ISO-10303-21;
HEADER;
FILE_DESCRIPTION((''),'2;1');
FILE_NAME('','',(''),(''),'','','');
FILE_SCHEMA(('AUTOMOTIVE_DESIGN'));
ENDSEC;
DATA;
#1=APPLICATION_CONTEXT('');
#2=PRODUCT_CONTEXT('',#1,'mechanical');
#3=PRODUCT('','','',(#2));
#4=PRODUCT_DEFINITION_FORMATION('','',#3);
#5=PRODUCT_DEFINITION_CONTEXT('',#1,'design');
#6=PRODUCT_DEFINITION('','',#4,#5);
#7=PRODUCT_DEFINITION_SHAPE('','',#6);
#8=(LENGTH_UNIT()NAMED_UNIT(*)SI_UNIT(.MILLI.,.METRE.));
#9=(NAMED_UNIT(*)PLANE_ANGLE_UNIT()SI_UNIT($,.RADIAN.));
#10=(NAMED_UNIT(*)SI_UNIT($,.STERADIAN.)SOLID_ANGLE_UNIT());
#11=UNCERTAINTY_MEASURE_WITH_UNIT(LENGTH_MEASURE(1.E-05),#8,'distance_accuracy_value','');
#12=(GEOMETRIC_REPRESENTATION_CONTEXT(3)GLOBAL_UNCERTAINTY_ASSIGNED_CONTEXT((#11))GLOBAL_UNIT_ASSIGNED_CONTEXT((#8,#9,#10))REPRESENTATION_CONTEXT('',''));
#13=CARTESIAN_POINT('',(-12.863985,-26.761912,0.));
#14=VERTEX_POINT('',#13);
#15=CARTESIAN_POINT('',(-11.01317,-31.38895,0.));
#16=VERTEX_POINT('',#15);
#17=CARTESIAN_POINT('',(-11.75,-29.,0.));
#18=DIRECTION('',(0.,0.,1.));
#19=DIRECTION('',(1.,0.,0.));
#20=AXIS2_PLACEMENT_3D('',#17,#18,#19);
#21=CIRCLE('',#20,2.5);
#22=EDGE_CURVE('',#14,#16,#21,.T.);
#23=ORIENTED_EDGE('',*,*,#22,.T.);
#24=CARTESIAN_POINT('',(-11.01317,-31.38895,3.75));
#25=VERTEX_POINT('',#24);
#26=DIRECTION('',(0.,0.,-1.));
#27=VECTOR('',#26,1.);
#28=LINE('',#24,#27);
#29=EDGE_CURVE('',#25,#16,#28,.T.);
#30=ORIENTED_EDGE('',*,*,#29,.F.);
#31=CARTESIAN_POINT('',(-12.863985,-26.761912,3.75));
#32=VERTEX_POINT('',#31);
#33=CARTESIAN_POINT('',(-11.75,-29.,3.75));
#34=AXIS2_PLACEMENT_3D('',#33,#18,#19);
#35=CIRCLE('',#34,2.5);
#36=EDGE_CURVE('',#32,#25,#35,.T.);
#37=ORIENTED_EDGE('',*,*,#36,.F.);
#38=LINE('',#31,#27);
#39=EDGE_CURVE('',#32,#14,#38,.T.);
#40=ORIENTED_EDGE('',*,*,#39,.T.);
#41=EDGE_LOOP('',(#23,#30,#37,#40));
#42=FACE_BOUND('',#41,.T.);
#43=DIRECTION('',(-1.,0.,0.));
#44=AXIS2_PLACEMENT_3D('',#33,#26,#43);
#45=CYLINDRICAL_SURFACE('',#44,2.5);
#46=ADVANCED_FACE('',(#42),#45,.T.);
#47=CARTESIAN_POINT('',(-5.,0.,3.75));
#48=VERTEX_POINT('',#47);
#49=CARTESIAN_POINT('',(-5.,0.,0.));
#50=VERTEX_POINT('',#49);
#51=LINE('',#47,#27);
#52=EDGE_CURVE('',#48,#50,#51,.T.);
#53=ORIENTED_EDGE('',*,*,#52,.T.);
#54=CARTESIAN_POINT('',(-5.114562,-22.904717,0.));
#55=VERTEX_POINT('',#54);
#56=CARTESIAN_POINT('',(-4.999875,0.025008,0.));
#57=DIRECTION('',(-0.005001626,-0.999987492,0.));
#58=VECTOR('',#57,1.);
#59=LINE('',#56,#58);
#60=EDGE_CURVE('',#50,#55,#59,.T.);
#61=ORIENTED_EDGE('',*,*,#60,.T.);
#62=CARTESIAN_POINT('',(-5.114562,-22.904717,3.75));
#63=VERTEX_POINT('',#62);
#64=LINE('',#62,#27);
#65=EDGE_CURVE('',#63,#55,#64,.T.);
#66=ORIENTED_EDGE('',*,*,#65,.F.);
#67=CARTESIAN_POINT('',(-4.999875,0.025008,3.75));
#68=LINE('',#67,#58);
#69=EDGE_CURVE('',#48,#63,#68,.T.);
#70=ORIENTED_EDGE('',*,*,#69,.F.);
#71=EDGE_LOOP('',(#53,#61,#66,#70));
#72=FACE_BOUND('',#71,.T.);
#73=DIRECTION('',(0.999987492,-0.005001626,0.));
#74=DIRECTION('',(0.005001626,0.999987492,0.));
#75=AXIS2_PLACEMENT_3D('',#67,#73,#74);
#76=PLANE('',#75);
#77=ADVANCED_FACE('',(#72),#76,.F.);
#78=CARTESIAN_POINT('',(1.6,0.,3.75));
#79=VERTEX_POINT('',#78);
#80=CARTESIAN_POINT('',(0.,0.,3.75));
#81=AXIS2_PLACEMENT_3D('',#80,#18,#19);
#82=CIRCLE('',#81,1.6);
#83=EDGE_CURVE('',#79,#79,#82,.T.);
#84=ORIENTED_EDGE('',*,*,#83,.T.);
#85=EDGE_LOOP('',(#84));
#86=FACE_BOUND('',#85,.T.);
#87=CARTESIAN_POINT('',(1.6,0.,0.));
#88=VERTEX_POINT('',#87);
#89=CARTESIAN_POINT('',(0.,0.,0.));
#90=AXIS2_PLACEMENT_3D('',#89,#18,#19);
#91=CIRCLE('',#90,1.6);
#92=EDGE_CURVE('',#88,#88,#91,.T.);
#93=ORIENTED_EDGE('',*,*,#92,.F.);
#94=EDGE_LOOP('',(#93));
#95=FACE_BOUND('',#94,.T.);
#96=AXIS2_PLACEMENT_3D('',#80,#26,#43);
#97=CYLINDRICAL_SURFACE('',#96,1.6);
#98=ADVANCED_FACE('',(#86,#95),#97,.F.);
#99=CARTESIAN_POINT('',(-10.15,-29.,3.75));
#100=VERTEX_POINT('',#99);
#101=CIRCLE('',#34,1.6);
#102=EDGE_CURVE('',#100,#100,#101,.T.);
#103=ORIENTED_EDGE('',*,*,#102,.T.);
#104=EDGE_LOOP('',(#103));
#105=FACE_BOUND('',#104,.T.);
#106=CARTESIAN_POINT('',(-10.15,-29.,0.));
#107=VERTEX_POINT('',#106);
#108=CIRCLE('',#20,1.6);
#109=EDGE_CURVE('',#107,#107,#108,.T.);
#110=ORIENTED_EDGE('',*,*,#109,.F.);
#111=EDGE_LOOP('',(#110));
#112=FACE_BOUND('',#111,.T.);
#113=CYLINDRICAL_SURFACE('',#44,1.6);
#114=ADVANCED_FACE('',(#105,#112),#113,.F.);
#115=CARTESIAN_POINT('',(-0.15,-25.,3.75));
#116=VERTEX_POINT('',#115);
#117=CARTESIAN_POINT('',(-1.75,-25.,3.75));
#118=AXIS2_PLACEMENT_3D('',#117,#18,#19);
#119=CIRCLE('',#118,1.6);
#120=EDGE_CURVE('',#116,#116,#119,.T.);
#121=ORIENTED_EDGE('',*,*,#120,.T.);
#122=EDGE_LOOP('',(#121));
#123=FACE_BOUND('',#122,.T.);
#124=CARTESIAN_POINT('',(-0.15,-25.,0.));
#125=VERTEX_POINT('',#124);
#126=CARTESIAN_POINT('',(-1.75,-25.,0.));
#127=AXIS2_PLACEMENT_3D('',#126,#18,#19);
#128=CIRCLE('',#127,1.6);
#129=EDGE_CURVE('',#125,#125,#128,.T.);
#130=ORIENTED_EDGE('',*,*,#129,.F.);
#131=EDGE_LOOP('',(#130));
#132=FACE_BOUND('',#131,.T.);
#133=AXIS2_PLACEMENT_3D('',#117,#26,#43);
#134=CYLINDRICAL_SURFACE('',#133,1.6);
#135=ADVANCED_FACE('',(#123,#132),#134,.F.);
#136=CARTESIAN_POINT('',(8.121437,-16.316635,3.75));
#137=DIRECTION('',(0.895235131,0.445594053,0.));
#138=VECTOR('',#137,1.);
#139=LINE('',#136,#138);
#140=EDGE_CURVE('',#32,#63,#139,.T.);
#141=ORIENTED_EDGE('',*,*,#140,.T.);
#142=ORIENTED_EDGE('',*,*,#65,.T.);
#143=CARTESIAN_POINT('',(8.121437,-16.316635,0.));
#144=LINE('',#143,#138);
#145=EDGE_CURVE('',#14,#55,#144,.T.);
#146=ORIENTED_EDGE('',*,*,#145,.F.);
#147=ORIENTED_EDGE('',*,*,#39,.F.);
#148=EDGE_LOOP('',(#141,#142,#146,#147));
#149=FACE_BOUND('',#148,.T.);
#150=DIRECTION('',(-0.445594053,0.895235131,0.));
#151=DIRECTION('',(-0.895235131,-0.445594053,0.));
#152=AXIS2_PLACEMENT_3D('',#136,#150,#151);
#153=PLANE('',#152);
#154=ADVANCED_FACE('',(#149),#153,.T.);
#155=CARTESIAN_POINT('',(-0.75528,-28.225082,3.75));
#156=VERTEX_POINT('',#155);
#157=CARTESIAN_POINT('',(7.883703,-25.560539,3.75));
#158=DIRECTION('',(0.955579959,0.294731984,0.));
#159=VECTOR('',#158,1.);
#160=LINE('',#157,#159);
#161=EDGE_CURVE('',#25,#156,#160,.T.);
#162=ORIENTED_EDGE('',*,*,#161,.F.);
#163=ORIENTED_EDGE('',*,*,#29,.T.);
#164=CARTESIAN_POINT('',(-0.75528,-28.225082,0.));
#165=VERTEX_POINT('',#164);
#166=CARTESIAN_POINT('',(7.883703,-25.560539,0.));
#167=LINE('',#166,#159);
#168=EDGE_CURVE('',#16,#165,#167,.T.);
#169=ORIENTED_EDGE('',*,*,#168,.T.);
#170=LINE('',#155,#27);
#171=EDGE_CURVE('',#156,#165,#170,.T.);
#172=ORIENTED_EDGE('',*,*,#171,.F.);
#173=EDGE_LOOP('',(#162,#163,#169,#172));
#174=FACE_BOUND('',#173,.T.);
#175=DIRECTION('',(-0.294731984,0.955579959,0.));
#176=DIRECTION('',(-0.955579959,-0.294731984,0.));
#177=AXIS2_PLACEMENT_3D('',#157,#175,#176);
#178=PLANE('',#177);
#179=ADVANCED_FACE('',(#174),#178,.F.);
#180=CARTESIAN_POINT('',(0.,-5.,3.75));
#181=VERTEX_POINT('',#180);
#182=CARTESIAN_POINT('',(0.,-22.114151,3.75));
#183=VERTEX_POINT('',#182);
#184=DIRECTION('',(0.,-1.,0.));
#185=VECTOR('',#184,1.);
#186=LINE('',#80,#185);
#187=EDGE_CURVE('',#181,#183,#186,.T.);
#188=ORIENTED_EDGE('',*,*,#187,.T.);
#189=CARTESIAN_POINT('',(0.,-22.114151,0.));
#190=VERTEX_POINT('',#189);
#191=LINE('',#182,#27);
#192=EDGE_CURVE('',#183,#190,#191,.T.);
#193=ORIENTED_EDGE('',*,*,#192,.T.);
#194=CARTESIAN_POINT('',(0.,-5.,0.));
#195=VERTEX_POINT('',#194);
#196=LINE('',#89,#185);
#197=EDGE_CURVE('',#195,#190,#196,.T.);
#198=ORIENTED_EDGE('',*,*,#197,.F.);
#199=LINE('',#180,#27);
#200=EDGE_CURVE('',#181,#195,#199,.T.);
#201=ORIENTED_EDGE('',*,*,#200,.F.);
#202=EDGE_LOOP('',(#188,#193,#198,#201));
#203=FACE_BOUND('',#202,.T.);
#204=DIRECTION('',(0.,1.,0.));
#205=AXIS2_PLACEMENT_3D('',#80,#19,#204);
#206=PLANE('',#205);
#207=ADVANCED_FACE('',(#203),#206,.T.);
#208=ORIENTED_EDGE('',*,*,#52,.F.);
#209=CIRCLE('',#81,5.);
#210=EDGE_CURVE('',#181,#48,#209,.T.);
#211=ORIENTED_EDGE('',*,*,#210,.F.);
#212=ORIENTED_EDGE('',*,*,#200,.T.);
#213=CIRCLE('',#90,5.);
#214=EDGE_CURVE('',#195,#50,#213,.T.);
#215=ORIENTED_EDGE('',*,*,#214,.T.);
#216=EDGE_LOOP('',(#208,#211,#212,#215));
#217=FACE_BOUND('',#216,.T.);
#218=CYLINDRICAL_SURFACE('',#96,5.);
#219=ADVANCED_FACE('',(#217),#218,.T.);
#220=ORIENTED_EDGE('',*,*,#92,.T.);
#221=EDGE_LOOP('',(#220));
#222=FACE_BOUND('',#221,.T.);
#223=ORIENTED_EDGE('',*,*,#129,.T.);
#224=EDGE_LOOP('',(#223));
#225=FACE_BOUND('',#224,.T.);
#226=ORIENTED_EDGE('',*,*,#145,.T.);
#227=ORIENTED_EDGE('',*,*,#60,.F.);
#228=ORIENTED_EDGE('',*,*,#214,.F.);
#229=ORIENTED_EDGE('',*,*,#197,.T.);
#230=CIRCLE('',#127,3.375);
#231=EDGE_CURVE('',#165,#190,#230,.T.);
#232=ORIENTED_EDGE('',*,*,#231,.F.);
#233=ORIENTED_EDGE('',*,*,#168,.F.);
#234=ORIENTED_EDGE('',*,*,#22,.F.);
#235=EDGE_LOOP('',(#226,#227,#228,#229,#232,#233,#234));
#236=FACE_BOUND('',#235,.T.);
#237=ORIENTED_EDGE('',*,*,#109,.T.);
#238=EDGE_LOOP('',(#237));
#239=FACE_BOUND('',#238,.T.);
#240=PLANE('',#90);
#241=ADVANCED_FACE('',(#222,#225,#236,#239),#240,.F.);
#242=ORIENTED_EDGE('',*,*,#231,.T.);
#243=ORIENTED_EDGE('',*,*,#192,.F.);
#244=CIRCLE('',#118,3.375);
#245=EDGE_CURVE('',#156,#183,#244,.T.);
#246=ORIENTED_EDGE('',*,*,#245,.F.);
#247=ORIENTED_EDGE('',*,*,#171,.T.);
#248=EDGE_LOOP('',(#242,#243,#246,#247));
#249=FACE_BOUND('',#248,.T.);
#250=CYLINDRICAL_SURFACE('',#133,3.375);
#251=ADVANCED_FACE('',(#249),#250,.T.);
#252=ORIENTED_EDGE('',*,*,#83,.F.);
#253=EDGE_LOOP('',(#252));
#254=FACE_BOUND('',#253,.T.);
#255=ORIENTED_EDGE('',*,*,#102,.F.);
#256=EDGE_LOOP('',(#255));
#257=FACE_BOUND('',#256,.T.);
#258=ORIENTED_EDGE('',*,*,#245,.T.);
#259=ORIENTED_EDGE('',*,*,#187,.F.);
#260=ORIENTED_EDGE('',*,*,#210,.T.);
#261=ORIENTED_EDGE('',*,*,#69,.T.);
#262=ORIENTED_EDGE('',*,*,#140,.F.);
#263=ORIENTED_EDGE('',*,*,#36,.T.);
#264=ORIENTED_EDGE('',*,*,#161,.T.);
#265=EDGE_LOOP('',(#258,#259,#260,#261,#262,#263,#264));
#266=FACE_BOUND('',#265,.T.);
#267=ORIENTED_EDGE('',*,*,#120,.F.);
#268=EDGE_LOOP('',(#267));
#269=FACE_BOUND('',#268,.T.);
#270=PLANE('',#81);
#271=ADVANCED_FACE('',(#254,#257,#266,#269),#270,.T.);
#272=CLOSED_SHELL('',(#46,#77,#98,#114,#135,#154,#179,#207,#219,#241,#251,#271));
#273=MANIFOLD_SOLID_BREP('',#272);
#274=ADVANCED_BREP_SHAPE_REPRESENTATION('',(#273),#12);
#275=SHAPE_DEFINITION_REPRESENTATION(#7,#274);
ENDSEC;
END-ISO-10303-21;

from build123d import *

# Parameters (mm, degrees)
SKETCH1_R           = 1.6
BOSS_EXTRUDE1_DEPTH = 3.75


with BuildPart() as part:
    # Sketch1 → Boss-Extrude1 (new body)
    with BuildSketch(Plane.XY):
        with BuildLine():
            Line((0, -22.114150905), (0, -5))
            ThreePointArc((0, -5), (3.535533906, 3.535533906), (-5, 0))
            Line((-5, 0), (-5.114562262, -22.904716871))
            Line((-5.114562262, -22.904716871), (-12.863985131, -26.761912172))
            ThreePointArc((-12.863985131, -26.761912172), (-14.071191727, -29.928476691), (-11.013170041, -31.388949897))
            Line((-11.013170041, -31.388949897), (-0.755279555, -28.225082361))
            ThreePointArc((-0.755279555, -28.225082361), (1.599513904, -25.413982613), (0, -22.114150905))
        make_face()
        Circle(SKETCH1_R, mode=Mode.SUBTRACT)
        with Locations((-1.75, -25)):
            Circle(SKETCH1_R, mode=Mode.SUBTRACT)
        with Locations((-11.75, -29)):
            Circle(SKETCH1_R, mode=Mode.SUBTRACT)
    extrude(amount=BOSS_EXTRUDE1_DEPTH)


solid = part.part
